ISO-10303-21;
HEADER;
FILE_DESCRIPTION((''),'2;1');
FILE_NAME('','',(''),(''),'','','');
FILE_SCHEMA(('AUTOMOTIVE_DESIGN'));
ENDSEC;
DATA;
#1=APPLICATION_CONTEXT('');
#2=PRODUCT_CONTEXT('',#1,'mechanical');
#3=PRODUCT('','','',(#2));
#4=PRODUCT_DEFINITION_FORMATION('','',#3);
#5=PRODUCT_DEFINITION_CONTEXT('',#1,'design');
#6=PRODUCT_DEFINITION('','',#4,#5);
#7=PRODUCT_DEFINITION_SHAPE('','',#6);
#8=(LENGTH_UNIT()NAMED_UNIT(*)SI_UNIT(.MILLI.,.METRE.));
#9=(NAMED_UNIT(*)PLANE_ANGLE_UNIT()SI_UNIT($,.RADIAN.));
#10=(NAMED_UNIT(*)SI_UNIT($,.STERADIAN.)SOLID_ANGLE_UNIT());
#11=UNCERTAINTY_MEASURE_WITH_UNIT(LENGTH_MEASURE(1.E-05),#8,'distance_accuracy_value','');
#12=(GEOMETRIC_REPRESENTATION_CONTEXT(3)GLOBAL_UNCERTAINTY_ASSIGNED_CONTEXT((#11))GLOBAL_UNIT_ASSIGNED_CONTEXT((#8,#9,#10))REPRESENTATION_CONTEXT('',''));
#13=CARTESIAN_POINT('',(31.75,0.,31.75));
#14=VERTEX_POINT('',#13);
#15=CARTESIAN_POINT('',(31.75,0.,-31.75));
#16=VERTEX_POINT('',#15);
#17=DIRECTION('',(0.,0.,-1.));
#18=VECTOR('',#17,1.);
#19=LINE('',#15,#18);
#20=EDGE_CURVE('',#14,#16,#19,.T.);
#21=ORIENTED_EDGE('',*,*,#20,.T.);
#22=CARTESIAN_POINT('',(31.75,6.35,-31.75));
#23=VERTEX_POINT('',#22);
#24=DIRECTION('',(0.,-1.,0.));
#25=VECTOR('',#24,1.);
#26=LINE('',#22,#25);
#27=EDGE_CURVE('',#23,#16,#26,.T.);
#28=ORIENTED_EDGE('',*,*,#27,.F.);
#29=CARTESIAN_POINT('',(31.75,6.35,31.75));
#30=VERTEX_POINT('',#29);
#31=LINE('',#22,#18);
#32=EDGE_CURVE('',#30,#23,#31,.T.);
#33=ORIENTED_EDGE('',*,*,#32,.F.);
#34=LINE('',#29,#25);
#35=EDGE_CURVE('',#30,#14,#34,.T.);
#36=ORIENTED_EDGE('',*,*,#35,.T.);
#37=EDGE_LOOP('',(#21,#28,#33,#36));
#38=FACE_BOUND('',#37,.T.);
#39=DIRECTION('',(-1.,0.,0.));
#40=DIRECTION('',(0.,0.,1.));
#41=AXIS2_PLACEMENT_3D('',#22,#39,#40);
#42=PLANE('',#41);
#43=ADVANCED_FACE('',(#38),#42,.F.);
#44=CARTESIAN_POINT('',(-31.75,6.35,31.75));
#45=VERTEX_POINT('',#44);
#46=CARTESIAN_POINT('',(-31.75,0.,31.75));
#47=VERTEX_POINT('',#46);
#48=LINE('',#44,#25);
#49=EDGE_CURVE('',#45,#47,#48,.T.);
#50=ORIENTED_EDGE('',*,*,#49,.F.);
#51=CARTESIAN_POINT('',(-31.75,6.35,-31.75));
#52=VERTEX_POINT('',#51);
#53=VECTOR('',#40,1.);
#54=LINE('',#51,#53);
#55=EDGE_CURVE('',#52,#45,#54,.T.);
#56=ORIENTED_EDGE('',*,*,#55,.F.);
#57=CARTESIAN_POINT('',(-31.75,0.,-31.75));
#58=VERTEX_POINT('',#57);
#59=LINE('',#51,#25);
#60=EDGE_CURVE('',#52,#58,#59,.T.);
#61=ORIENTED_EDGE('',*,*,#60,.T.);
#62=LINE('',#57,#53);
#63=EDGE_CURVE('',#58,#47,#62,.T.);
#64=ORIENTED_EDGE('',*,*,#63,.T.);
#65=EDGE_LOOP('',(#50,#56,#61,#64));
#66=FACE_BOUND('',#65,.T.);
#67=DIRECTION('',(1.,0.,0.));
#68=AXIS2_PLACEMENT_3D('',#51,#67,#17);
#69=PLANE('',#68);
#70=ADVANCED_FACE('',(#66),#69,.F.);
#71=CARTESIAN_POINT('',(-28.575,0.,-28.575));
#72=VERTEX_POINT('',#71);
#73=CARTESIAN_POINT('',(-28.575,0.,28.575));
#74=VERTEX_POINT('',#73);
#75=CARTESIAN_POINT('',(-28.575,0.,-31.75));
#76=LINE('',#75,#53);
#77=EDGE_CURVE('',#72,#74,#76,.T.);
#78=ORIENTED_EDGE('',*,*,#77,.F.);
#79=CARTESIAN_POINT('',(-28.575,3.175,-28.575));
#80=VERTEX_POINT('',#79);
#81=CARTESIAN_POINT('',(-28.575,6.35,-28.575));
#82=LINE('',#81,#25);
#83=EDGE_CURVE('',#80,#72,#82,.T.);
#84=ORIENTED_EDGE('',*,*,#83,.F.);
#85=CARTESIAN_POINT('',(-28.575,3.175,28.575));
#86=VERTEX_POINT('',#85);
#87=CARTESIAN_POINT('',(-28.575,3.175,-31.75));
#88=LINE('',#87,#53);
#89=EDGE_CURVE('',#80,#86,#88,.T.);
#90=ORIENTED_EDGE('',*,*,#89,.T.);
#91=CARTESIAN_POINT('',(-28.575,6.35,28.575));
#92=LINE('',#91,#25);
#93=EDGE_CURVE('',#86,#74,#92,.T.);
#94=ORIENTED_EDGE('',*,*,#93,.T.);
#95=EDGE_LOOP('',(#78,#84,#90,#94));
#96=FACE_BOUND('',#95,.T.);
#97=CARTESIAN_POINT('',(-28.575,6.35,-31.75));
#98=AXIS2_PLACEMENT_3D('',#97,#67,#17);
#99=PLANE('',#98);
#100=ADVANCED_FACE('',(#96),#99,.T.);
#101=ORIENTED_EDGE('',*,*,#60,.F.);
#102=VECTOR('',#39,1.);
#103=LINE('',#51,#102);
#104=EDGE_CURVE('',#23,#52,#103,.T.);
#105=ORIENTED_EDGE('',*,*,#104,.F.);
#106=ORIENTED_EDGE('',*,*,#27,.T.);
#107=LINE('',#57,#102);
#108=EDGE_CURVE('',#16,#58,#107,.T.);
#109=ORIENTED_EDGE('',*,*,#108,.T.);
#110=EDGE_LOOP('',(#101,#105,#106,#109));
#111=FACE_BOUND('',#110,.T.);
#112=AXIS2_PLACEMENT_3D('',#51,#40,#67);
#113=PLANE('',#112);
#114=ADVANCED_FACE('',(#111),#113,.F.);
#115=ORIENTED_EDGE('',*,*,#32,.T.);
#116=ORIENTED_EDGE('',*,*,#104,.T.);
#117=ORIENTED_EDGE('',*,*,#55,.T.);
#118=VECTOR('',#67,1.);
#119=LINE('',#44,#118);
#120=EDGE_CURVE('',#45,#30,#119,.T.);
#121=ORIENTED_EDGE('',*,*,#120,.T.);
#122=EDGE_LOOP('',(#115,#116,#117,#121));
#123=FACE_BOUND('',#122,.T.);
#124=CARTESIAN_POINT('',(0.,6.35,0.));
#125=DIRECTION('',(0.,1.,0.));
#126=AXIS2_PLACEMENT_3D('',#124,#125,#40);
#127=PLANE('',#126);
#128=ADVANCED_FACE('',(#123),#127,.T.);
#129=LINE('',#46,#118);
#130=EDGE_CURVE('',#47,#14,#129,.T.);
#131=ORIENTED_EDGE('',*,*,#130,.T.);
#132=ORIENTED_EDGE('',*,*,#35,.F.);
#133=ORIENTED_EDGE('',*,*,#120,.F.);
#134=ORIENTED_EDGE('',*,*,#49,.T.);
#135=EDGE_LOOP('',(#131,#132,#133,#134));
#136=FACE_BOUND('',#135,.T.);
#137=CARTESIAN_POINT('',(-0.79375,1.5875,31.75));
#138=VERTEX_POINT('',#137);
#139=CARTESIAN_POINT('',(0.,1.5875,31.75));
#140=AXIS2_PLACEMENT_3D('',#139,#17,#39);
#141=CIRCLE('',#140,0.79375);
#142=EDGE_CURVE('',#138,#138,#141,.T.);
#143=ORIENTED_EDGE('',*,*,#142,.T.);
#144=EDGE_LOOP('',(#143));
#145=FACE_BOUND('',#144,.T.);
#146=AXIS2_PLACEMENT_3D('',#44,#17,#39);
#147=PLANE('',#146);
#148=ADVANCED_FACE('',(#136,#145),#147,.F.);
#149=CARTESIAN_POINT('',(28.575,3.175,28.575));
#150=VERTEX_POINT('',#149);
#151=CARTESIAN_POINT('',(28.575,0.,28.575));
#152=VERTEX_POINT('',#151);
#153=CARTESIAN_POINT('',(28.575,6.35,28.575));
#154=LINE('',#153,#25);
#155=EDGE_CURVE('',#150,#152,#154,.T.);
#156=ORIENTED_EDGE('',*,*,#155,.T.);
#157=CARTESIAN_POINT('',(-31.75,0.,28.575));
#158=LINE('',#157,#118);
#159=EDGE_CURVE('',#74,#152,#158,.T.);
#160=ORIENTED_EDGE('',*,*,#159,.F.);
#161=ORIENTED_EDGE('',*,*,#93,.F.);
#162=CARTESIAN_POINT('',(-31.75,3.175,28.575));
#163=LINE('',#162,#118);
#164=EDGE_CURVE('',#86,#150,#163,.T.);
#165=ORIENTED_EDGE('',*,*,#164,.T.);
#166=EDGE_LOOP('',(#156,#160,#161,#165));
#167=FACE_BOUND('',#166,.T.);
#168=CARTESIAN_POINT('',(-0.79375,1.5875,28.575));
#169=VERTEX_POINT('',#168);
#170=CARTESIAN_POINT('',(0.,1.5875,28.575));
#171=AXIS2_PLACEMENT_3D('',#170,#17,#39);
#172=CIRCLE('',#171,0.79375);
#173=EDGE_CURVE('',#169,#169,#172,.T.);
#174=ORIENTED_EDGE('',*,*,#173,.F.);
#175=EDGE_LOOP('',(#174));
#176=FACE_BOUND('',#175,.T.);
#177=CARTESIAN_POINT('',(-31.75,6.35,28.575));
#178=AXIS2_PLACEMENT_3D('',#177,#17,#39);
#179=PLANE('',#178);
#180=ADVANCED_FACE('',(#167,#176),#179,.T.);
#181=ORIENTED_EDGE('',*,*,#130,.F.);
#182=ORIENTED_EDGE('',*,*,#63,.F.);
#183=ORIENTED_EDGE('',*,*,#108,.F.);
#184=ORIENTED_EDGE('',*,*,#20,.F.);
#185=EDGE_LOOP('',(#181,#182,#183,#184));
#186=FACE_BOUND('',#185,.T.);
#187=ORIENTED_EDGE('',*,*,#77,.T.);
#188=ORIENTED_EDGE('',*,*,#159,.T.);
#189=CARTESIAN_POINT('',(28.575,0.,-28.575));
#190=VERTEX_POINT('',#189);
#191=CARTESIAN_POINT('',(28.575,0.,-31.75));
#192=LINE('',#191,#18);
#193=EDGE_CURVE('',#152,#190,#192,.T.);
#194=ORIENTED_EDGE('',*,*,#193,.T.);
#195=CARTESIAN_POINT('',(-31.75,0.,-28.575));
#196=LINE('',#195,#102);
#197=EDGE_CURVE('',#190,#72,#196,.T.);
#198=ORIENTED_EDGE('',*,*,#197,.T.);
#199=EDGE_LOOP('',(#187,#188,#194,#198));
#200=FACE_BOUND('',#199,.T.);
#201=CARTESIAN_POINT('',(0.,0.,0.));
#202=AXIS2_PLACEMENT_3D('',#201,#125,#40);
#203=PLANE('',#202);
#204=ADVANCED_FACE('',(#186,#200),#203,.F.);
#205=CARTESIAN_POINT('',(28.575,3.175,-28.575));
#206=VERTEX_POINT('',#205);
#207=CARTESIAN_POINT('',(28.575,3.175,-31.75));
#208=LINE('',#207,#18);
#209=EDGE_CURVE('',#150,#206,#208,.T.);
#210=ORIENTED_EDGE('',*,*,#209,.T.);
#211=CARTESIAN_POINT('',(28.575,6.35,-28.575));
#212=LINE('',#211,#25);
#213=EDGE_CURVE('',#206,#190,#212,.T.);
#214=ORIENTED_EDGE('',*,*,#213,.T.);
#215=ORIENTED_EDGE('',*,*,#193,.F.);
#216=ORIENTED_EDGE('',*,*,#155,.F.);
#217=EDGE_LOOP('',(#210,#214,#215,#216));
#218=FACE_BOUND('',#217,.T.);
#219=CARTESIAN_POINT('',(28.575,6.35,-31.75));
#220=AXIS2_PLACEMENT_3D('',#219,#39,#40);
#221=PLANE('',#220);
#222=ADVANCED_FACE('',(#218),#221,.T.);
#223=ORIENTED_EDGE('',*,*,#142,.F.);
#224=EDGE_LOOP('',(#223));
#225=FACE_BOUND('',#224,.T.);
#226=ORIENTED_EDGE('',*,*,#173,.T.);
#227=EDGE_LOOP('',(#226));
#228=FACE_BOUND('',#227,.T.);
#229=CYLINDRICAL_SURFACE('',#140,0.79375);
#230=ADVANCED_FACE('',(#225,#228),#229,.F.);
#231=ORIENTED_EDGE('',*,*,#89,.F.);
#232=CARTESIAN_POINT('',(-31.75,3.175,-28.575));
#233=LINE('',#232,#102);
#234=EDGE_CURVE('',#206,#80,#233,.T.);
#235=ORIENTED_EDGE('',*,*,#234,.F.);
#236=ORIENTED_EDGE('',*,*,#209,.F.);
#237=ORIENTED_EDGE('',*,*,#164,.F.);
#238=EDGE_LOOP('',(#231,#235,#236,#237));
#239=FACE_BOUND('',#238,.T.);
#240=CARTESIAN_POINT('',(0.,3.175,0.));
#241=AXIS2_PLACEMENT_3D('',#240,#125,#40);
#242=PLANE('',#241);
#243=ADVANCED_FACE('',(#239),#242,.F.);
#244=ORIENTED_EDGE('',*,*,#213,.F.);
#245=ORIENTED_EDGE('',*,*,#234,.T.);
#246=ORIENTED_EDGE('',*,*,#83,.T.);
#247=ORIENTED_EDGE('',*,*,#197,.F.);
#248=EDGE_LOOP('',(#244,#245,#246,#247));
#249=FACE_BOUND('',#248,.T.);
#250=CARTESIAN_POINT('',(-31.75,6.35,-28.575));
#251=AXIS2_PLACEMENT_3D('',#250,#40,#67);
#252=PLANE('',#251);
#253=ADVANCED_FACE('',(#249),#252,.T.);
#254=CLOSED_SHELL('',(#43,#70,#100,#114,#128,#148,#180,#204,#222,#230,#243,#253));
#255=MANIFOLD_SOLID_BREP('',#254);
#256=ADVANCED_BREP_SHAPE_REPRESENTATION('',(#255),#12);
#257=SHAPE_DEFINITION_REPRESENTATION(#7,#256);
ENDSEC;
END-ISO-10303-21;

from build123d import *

# Parameters (mm, degrees)
SKETCH1_W           = 127
SKETCH1_H           = 127
BOSS_EXTRUDE1_DEPTH = 12.7
SHELL1_T            = -6.35
SCALE1_SCALE        = 0.5
SKETCH2_R           = 0.79375
CUT_EXTRUDE2_DEPTH  = 69.465251223


with BuildPart() as part:
    # Sketch1 → Boss-Extrude1 (new body)
    with BuildSketch(Plane(origin=(0, 0, 0), x_dir=(1, 0, 0), z_dir=(0, 1, 0))):
        Rectangle(SKETCH1_W, SKETCH1_H)
    extrude(amount=BOSS_EXTRUDE1_DEPTH)

    # Shell1
    shell1_openings = [part.faces().sort_by_distance(p)[0] for p in [
        (0, 0, 0),
    ]]
    offset(amount=SHELL1_T, openings=shell1_openings, kind=Kind.INTERSECTION)


with BuildPart() as part_1:
    # Scale1: scaled about (0, 0, 0)
    add(part.part.scale(SCALE1_SCALE))

    # Sketch2 → Cut-Extrude2 (cut, through all)
    with BuildSketch(Plane(origin=(0, 0, 28.575), x_dir=(-1, 0, 0), z_dir=(0, 0, -1))):
        with Locations((0, 1.5875)):
            Circle(SKETCH2_R)
    extrude(amount=-CUT_EXTRUDE2_DEPTH, mode=Mode.SUBTRACT)


solid = part_1.part
